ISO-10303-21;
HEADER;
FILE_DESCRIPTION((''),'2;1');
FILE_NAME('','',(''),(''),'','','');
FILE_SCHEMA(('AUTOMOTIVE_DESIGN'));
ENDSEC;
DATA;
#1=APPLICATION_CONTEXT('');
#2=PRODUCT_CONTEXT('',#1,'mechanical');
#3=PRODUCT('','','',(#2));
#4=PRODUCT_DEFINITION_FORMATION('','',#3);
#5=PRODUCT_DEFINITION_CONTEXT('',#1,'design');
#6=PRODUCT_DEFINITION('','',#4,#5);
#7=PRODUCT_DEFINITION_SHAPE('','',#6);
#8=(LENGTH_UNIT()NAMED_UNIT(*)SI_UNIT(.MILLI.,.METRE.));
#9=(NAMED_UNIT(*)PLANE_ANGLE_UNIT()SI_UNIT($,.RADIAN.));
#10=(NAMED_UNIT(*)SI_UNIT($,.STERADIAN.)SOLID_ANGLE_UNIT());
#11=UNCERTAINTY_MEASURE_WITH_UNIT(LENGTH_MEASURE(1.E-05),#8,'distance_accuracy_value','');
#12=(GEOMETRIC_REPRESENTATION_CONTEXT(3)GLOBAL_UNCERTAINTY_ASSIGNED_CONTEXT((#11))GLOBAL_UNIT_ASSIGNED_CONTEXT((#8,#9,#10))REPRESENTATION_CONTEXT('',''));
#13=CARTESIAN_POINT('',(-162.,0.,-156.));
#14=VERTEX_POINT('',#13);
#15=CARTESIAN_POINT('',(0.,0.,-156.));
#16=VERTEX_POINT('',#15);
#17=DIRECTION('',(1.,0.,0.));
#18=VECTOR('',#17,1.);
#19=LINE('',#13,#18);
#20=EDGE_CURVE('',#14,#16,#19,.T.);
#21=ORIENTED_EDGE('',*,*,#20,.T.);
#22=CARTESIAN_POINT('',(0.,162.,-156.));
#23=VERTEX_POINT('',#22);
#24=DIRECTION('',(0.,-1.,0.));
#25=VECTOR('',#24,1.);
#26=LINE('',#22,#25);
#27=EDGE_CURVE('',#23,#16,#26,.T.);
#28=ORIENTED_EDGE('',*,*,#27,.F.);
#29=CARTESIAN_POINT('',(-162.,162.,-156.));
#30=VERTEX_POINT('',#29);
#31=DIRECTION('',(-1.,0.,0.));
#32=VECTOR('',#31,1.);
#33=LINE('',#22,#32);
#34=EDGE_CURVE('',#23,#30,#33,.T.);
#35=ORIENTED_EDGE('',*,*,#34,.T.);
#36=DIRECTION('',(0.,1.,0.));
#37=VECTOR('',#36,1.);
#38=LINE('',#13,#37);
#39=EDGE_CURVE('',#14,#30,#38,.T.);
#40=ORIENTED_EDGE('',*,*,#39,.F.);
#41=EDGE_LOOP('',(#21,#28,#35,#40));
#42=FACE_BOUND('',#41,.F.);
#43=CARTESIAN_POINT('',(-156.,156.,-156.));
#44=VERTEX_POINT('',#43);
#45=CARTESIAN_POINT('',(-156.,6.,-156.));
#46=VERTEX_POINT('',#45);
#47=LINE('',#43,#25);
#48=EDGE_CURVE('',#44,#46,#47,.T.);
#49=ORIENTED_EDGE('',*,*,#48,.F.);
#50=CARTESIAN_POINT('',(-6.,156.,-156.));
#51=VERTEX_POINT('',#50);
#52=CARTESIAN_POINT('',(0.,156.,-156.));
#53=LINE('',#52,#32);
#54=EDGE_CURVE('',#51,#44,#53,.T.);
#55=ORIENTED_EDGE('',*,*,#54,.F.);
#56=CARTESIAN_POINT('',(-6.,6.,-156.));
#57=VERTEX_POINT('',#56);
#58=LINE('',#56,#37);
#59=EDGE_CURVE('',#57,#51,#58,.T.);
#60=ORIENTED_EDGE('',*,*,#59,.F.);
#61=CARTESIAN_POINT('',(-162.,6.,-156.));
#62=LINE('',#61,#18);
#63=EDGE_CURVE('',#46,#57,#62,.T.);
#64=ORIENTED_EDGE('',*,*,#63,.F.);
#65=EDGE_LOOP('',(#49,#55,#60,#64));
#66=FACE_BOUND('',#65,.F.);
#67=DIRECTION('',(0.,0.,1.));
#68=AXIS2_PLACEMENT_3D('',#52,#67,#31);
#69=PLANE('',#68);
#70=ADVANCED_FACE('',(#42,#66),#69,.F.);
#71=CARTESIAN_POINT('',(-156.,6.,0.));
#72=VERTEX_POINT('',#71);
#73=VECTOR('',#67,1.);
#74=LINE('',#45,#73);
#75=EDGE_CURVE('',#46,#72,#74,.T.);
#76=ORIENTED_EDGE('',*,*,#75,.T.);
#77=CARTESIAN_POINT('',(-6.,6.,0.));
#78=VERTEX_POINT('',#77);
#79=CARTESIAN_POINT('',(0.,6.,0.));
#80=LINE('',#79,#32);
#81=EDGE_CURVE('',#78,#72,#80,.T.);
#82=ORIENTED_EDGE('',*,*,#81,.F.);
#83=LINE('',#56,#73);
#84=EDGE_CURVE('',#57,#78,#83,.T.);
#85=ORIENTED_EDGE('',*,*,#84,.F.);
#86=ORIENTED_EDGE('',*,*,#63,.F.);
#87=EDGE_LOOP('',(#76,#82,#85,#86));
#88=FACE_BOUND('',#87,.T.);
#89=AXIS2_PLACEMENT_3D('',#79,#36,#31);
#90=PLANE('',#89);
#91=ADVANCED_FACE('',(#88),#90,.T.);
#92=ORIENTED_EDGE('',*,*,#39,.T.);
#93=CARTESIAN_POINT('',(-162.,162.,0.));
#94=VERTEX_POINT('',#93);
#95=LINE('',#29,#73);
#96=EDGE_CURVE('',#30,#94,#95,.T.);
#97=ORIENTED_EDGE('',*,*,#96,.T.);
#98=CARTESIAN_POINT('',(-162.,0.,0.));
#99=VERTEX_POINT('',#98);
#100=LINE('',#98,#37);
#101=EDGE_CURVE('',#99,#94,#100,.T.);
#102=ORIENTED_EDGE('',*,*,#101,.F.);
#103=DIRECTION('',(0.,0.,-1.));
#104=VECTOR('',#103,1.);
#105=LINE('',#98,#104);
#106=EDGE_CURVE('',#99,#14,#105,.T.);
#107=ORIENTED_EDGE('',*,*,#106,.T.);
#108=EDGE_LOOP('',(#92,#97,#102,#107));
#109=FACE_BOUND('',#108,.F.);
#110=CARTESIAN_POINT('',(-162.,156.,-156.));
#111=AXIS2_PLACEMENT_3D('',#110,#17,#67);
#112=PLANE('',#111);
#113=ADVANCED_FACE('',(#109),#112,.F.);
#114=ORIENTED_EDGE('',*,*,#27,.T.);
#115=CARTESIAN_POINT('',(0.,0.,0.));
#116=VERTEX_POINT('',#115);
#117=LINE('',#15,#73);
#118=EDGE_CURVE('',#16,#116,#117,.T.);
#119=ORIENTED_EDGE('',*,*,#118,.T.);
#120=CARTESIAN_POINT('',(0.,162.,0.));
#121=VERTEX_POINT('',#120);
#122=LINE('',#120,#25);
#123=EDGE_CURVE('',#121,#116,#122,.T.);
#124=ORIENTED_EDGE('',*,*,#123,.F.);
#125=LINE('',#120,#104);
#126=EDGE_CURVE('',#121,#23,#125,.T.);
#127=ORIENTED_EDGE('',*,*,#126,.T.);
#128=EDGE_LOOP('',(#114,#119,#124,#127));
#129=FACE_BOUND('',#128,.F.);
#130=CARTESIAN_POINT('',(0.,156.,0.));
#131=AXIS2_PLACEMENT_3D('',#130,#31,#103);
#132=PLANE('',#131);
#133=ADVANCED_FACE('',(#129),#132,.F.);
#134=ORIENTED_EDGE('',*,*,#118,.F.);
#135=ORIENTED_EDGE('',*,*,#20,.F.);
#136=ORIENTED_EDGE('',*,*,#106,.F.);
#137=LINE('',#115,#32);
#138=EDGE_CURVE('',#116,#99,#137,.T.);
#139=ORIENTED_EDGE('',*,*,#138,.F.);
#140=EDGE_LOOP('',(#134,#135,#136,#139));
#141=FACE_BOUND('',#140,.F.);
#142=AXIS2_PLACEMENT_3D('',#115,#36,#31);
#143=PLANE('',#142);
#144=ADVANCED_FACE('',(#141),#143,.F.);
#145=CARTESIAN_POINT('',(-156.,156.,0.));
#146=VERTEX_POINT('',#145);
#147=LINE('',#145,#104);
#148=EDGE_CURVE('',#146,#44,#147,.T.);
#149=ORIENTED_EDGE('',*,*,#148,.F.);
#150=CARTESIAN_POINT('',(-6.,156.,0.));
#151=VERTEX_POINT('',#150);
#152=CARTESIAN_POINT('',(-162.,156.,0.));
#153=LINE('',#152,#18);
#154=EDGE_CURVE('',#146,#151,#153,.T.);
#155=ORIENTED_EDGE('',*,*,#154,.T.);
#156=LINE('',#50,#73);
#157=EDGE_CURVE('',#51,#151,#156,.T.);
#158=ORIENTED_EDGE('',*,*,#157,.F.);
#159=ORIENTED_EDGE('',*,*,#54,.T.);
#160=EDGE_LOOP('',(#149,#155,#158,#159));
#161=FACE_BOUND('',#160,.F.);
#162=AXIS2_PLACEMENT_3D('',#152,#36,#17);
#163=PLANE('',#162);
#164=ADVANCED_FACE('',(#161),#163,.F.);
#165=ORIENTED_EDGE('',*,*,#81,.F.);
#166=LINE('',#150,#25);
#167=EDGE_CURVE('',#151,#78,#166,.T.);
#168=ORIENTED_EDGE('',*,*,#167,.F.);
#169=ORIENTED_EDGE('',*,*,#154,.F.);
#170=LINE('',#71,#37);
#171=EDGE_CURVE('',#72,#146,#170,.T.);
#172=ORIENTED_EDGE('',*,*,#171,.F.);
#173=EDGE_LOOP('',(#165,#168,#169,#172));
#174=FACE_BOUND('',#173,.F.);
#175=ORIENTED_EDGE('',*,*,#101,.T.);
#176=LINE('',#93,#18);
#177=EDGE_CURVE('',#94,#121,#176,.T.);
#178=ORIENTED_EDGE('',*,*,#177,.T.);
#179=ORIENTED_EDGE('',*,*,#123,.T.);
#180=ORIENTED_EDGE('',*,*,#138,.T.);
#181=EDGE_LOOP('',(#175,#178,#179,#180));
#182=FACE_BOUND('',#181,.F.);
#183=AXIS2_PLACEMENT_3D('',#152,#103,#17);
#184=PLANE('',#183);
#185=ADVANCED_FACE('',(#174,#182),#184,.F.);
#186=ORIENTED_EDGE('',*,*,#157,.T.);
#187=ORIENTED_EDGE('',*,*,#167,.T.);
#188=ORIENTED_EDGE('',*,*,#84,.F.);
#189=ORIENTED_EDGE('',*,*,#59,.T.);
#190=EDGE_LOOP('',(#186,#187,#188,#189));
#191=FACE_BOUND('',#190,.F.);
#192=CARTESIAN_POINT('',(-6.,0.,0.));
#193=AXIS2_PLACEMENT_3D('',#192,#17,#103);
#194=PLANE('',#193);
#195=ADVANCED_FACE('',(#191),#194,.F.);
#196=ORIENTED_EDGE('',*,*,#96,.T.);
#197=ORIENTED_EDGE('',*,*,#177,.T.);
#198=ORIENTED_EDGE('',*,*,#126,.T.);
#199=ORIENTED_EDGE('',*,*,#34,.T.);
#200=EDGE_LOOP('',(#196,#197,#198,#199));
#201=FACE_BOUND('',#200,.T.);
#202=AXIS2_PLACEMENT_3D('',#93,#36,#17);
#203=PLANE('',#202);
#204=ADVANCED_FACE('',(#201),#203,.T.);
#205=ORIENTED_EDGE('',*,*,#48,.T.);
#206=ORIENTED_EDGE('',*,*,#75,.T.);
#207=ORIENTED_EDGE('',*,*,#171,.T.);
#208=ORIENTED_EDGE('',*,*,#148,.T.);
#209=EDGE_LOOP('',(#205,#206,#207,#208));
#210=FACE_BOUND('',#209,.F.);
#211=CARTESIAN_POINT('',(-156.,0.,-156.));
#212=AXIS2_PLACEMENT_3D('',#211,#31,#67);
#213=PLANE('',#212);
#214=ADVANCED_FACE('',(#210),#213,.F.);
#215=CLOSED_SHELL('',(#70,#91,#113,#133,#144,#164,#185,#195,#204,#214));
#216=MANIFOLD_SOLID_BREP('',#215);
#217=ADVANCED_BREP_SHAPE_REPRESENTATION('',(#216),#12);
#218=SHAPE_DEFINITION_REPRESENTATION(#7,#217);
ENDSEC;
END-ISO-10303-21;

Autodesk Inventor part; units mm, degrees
ref_plane "YZ Plane" through (0, 0, 0) normal (1, 0, 0) x (0, 1, 0)
ref_plane "XZ Plane" through (0, 0, 0) normal (0, 1, 0) x (-1, 0, 0)
ref_plane "XY Plane" through (0, 0, 0) normal (0, 0, 1) x (1, 0, 0)
sketch "Sketch1" plane through (0, 0, 0) normal (0, 1, 0) x (-1, 0, 0)
  line L0 (0, 0) -> (162, 0)
  line L1 (162, 0) -> (162, -156)
  line L2 (162, -156) -> (0, -156)
  line L3 (0, -156) -> (0, 0)
  dimension "d0" = 162
  dimension "d1" = 156
extrude "Extrusion1" add sketch "Sketch1" along normal blind 6
sketch "Sketch3" plane through (0, 0, 0) normal (1, 0, 0) x (0, 0, -1)
  line L0 (156, 6) -> (0, 6) projected
  line L1 (0, 6) -> (156, 6)
  line L2 (156, 6) -> (156, 156)
  line L3 (156, 156) -> (0, 156)
  line L4 (0, 156) -> (0, 6)
  point P0 (0, 0)
  dimension "d4" = 150
extrude "Extrusion2" add sketch "Sketch3" against normal blind 6
sketch "Sketch4" plane through (-162, 0, -156) normal (-1, 0, 0) x (0, 0, 1)
  line L0 (0, 6) -> (156, 6) projected
  line L1 (156, 156) -> (0, 156) projected
  line L2 (0, 6) -> (156, 6)
  line L3 (156, 6) -> (156, 156)
  line L4 (156, 156) -> (0, 156)
  line L5 (0, 156) -> (0, 6)
  point P0 (156, 0)
extrude "Extrusion3" add sketch "Sketch4" against normal blind 6
sketch "Sketch5" plane through (-162, 156, 0) normal (0, 1, 0) x (1, 0, 0)
  line L0 (0, 156) -> (0, 0) projected
  line L1 (162, 156) -> (0, 156)
  line L2 (0, 156) -> (0, 0)
  line L3 (0, 0) -> (162, 0)
  line L4 (162, 0) -> (162, 156)
  point P0 (162, 0)
extrude "Extrusion4" add sketch "Sketch5" along normal blind 6
properties part number "Estacion" material "Wood (Cherry)"
